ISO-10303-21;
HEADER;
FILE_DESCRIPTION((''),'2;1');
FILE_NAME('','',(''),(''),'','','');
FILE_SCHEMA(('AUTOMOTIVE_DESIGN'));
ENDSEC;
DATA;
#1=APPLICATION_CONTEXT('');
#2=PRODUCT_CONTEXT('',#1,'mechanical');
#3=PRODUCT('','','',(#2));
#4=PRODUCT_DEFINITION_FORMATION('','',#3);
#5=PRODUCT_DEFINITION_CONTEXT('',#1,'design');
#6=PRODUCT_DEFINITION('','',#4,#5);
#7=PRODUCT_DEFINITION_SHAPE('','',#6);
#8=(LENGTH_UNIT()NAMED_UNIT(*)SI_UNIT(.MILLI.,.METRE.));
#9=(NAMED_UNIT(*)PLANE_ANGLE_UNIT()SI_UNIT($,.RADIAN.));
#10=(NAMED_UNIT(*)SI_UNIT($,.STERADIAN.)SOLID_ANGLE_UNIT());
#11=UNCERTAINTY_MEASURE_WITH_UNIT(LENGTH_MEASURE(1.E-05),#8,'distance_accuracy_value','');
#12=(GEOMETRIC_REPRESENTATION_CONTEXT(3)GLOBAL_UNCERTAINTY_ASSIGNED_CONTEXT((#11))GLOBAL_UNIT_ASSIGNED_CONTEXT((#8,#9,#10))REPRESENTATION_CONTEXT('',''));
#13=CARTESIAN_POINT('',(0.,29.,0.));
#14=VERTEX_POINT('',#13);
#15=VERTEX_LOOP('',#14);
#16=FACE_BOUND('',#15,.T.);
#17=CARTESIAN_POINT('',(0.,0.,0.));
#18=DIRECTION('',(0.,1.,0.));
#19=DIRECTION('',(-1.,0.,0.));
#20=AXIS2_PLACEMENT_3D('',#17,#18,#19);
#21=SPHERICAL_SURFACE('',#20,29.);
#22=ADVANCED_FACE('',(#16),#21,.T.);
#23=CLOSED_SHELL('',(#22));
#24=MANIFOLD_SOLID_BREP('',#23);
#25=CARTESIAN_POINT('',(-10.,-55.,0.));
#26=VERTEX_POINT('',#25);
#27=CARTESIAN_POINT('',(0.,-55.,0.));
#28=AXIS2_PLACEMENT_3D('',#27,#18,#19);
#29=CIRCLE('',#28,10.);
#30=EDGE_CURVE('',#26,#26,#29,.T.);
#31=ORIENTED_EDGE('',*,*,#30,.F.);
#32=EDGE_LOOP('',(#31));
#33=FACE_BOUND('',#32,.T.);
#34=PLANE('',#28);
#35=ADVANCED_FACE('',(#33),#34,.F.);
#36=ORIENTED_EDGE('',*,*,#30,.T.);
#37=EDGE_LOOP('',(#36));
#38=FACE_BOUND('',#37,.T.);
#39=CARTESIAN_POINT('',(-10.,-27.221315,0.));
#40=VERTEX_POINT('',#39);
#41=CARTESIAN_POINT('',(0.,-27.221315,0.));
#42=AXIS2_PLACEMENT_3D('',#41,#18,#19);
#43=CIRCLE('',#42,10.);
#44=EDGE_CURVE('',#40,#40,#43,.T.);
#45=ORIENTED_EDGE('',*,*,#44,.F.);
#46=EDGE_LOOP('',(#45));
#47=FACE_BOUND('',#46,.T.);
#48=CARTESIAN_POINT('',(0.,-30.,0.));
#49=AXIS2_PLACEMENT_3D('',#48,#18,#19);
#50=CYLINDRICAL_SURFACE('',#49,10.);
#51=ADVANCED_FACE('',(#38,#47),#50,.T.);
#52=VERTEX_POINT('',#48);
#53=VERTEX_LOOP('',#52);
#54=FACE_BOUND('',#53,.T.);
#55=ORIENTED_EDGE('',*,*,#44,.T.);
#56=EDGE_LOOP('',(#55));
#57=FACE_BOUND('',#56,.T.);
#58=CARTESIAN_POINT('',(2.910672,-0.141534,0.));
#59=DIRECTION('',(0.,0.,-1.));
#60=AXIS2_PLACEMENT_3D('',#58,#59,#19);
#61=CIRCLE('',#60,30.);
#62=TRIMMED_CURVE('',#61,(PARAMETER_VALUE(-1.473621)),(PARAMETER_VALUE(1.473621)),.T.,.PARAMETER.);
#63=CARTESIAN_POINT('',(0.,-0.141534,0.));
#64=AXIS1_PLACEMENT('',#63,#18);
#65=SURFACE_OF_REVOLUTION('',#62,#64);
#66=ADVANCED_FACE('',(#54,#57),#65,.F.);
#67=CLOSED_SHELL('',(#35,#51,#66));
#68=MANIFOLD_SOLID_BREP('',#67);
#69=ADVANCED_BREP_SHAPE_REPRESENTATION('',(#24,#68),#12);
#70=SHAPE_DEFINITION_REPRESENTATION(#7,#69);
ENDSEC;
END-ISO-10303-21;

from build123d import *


with BuildPart() as part:
    # Sketch1 → Revolve1 (revolve)
    with BuildSketch(Plane.XY):
        with BuildLine():
            Line((0, 29), (0, -29))
            ThreePointArc((0, -29), (29, 0), (0, 29))
        make_face()
    revolve(axis=Axis((0, 29, 0), (0, -1, 0)))


with BuildPart() as body_2:
    # Sketch3 → Revolve2 (revolve)
    with BuildSketch(Plane.XY, mode=Mode.PRIVATE) as revolve2_sk:
        with BuildLine():
            Line((0, -30), (0, -55))
            Line((0, -55), (10, -55))
            Line((10, -55), (10, -27.221315178))
            ThreePointArc((10, -27.221315178), (5.121077734, -29.046395148), (0, -30))
        make_face()
    revolve(revolve2_sk.sketch.rotate(Axis((0, -30, 0), (0, -1, 0)), 180), axis=Axis((0, -30, 0), (0, -1, 0)))


solid = Compound([part.part, body_2.part])
